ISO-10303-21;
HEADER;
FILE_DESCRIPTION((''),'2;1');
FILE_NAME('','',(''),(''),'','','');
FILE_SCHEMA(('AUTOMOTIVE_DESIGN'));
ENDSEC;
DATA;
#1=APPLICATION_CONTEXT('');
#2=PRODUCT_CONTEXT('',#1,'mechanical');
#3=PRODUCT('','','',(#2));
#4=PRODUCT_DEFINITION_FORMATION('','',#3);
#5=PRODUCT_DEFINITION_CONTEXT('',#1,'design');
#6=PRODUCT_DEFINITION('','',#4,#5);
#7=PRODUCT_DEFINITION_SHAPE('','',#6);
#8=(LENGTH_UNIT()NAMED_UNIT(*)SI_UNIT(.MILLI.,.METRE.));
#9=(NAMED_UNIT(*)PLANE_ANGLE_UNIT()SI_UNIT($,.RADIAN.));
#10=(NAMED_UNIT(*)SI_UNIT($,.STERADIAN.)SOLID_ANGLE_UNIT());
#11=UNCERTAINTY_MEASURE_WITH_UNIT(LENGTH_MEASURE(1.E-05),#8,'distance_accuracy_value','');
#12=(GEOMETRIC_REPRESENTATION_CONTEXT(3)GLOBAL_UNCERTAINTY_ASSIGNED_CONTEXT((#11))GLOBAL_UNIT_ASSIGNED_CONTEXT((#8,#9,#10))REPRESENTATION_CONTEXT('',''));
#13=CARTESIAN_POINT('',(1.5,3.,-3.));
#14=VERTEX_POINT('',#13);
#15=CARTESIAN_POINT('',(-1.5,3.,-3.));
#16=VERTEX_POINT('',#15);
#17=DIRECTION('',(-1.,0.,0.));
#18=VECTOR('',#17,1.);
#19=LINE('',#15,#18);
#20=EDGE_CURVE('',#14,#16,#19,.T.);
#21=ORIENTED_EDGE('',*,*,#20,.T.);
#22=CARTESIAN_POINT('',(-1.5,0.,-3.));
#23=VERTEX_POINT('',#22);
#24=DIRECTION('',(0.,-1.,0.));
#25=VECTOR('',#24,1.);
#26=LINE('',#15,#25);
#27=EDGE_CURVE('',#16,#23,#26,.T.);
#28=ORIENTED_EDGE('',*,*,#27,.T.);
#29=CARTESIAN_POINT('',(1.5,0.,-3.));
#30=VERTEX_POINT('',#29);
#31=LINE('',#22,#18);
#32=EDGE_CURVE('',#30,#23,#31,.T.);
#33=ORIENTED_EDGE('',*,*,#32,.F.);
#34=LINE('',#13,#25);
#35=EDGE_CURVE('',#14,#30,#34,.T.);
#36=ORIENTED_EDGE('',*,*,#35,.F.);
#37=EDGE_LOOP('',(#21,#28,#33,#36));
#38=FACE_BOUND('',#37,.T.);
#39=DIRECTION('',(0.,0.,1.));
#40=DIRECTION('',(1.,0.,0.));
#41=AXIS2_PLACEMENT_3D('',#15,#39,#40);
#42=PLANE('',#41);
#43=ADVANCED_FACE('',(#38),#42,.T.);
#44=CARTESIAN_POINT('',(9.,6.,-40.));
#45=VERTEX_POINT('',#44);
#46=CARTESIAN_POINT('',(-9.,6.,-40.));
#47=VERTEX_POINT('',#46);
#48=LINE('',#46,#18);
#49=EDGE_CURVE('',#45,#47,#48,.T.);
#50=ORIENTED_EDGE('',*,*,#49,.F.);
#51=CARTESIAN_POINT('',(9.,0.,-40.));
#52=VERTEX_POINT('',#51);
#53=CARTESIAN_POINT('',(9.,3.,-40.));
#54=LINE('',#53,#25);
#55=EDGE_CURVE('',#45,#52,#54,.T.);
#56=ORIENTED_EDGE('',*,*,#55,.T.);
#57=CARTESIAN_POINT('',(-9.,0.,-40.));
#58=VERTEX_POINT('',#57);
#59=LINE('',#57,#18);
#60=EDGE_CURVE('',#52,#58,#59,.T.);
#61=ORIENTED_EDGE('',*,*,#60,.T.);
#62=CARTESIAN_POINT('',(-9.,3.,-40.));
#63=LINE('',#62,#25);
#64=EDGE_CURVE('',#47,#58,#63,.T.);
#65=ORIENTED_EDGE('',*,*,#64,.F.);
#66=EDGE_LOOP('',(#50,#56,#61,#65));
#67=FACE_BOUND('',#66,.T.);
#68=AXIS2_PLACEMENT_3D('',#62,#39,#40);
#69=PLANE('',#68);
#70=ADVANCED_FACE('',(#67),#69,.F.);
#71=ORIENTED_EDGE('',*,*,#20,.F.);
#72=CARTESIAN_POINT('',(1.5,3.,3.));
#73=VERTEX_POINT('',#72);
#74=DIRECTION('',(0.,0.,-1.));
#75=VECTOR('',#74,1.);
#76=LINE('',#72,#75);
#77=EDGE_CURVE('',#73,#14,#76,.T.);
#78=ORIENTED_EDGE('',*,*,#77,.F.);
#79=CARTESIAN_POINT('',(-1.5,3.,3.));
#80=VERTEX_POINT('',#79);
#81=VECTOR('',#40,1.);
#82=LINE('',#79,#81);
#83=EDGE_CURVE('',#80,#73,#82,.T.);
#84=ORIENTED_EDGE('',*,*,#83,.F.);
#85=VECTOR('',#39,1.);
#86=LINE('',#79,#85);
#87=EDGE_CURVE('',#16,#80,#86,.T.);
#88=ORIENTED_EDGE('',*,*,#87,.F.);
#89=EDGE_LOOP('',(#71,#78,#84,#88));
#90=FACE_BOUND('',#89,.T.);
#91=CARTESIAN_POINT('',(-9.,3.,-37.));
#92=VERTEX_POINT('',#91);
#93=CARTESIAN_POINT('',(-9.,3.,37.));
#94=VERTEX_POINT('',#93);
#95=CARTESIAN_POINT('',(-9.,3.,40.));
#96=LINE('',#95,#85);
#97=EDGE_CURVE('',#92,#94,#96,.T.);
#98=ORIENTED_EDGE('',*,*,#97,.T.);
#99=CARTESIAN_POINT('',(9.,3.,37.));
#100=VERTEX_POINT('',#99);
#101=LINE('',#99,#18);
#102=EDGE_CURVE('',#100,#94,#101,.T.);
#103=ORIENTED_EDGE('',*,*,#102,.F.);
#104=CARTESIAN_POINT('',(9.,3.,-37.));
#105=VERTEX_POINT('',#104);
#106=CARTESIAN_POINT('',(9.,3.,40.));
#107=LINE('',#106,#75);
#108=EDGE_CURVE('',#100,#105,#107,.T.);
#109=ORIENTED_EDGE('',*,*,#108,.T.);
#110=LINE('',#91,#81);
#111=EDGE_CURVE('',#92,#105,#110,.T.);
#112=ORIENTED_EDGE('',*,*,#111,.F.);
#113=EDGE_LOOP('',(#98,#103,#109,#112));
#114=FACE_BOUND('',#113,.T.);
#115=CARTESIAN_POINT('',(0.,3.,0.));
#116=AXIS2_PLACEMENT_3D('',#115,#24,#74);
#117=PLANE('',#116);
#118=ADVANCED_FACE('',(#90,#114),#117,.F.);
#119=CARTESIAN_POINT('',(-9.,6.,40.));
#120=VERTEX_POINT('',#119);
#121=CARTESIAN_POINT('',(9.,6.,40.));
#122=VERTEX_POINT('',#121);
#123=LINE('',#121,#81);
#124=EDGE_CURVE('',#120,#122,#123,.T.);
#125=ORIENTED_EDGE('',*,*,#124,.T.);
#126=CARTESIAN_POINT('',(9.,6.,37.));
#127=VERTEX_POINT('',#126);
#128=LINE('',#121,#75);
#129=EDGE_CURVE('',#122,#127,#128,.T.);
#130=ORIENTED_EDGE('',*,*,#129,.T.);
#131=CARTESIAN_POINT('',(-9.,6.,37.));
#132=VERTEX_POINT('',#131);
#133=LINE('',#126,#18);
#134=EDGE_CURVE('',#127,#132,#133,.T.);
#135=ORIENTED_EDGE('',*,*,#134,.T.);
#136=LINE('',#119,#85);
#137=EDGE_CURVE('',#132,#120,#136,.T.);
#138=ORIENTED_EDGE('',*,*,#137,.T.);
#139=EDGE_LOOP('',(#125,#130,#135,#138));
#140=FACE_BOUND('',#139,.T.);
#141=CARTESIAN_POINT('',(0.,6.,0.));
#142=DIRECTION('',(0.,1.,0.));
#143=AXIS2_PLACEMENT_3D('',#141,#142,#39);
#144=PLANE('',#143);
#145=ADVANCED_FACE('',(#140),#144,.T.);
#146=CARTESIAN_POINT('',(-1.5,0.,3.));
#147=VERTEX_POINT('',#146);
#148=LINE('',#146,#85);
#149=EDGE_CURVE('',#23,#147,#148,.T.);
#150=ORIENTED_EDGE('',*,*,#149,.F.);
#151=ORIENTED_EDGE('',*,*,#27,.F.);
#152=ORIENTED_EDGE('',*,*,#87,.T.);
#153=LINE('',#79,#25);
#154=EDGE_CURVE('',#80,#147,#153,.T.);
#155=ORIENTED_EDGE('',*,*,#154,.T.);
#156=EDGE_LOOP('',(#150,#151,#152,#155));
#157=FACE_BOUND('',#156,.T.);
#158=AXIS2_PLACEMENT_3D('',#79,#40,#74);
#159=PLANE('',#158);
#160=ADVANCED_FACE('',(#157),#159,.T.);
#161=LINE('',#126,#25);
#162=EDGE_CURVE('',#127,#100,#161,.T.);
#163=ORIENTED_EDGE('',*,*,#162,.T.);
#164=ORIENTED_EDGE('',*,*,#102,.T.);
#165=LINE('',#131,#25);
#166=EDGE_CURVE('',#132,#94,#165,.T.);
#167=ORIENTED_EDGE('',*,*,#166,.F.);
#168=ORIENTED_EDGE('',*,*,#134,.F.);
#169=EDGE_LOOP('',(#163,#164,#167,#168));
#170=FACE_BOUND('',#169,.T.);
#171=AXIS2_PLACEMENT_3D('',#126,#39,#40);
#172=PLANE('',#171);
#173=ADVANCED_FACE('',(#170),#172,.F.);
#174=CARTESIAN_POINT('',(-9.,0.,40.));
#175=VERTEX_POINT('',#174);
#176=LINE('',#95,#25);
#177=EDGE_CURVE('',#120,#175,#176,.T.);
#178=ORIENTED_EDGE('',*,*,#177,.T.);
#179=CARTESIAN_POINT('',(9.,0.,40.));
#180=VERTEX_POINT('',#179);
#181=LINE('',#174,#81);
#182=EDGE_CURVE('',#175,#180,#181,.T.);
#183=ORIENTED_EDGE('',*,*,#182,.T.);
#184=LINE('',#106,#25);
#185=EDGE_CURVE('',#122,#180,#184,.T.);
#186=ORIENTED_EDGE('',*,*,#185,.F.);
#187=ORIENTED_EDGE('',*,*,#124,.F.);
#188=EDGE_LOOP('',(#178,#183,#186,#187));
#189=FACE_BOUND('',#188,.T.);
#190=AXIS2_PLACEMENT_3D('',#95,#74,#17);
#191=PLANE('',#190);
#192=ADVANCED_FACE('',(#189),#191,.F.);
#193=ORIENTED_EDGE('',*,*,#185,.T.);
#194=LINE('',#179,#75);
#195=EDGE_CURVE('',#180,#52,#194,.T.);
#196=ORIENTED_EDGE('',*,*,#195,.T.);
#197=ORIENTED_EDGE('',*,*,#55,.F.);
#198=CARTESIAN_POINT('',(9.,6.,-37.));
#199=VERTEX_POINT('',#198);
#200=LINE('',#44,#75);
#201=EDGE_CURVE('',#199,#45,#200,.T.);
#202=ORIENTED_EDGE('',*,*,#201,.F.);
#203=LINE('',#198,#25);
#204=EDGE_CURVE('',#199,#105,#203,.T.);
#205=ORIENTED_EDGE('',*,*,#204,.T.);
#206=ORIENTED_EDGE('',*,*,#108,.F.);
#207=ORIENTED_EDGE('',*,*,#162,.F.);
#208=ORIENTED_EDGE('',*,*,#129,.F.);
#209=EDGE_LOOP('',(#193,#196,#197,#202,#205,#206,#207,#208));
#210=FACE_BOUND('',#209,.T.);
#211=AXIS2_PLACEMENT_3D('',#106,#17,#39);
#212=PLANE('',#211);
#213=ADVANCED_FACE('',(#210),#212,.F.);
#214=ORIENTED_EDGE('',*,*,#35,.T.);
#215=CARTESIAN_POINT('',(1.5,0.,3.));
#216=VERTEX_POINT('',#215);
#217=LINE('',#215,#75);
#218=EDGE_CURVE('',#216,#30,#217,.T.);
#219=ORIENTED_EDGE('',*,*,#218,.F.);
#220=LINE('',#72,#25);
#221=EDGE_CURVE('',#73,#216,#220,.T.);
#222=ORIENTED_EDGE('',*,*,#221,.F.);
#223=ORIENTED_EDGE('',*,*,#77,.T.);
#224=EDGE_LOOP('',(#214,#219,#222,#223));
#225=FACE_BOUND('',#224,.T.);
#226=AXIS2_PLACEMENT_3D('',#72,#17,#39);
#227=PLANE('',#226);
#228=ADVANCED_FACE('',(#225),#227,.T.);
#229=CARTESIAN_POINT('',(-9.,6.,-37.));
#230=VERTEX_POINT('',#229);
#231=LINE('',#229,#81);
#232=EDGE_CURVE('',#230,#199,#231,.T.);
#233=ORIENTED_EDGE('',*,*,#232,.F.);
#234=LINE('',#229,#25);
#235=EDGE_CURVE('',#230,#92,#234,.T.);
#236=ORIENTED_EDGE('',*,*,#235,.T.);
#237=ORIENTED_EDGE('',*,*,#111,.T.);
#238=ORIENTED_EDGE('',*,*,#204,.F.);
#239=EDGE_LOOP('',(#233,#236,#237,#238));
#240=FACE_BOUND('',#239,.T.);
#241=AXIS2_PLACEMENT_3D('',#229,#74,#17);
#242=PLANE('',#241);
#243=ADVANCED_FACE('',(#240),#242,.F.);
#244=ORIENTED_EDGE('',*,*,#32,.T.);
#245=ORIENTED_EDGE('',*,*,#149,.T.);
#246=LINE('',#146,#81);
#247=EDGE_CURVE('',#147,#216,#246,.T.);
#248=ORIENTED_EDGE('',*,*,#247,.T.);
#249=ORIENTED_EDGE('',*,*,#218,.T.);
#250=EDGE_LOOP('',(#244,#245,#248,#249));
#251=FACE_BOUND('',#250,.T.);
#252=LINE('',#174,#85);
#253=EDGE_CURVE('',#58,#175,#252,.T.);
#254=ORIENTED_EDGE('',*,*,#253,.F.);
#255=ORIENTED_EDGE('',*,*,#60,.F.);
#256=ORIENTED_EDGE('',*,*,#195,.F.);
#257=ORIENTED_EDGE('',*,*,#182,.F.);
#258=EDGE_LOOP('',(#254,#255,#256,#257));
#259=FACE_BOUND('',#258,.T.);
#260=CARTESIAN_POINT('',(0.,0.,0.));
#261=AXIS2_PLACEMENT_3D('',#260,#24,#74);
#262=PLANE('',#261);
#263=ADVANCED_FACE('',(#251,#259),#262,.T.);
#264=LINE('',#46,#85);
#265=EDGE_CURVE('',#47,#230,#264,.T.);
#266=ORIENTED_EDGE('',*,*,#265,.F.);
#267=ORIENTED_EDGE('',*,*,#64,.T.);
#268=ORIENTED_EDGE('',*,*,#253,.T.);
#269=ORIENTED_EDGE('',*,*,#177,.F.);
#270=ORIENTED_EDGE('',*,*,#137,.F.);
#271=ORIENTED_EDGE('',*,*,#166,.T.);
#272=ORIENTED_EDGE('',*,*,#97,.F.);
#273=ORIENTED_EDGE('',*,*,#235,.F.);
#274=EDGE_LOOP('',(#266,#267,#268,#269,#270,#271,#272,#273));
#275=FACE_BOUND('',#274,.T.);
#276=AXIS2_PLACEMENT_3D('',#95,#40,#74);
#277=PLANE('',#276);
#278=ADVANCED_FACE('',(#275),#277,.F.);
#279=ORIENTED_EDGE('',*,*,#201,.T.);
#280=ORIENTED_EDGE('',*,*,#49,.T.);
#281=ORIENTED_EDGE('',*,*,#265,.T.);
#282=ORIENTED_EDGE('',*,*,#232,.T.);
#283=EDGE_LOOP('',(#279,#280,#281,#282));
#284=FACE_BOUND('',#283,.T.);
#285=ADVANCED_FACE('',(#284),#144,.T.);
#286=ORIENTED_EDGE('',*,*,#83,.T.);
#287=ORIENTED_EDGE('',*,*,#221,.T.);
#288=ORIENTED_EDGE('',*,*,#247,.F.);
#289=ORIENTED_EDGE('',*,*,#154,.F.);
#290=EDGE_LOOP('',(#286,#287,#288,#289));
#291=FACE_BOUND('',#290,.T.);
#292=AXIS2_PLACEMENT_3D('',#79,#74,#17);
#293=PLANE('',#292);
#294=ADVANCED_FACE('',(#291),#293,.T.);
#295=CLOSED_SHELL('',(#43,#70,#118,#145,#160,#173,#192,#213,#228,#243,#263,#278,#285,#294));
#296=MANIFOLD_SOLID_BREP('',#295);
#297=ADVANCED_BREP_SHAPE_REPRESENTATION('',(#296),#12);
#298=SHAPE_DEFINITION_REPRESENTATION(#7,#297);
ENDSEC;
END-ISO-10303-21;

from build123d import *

# Parameters (mm, degrees)
SKETCH1_W           = 18
SKETCH1_H           = 80
SKETCH1_W_2         = 3
SKETCH1_H_2         = 6
BOSS_EXTRUDE1_DEPTH = 3
SKETCH2_W           = 18
SKETCH2_H           = 3
BOSS_EXTRUDE2_DEPTH = 3


with BuildPart() as part:
    # Sketch1 → Boss-Extrude1 (new body)
    with BuildSketch(Plane(origin=(0, 0, 0), x_dir=(1, 0, 0), z_dir=(0, 1, 0))):
        Rectangle(SKETCH1_W, SKETCH1_H)
        Rectangle(SKETCH1_W_2, SKETCH1_H_2, mode=Mode.SUBTRACT)
    extrude(amount=BOSS_EXTRUDE1_DEPTH)

    # Sketch2 → Boss-Extrude2 (add)
    with BuildSketch(Plane(origin=(0, 3, 0), x_dir=(1, 0, 0), z_dir=(0, 1, 0))):
        with Locations((0, -38.5)):
            Rectangle(SKETCH2_W, SKETCH2_H)
        with Locations((0, 38.5)):
            Rectangle(SKETCH2_W, SKETCH2_H)
    extrude(amount=BOSS_EXTRUDE2_DEPTH)


solid = part.part
